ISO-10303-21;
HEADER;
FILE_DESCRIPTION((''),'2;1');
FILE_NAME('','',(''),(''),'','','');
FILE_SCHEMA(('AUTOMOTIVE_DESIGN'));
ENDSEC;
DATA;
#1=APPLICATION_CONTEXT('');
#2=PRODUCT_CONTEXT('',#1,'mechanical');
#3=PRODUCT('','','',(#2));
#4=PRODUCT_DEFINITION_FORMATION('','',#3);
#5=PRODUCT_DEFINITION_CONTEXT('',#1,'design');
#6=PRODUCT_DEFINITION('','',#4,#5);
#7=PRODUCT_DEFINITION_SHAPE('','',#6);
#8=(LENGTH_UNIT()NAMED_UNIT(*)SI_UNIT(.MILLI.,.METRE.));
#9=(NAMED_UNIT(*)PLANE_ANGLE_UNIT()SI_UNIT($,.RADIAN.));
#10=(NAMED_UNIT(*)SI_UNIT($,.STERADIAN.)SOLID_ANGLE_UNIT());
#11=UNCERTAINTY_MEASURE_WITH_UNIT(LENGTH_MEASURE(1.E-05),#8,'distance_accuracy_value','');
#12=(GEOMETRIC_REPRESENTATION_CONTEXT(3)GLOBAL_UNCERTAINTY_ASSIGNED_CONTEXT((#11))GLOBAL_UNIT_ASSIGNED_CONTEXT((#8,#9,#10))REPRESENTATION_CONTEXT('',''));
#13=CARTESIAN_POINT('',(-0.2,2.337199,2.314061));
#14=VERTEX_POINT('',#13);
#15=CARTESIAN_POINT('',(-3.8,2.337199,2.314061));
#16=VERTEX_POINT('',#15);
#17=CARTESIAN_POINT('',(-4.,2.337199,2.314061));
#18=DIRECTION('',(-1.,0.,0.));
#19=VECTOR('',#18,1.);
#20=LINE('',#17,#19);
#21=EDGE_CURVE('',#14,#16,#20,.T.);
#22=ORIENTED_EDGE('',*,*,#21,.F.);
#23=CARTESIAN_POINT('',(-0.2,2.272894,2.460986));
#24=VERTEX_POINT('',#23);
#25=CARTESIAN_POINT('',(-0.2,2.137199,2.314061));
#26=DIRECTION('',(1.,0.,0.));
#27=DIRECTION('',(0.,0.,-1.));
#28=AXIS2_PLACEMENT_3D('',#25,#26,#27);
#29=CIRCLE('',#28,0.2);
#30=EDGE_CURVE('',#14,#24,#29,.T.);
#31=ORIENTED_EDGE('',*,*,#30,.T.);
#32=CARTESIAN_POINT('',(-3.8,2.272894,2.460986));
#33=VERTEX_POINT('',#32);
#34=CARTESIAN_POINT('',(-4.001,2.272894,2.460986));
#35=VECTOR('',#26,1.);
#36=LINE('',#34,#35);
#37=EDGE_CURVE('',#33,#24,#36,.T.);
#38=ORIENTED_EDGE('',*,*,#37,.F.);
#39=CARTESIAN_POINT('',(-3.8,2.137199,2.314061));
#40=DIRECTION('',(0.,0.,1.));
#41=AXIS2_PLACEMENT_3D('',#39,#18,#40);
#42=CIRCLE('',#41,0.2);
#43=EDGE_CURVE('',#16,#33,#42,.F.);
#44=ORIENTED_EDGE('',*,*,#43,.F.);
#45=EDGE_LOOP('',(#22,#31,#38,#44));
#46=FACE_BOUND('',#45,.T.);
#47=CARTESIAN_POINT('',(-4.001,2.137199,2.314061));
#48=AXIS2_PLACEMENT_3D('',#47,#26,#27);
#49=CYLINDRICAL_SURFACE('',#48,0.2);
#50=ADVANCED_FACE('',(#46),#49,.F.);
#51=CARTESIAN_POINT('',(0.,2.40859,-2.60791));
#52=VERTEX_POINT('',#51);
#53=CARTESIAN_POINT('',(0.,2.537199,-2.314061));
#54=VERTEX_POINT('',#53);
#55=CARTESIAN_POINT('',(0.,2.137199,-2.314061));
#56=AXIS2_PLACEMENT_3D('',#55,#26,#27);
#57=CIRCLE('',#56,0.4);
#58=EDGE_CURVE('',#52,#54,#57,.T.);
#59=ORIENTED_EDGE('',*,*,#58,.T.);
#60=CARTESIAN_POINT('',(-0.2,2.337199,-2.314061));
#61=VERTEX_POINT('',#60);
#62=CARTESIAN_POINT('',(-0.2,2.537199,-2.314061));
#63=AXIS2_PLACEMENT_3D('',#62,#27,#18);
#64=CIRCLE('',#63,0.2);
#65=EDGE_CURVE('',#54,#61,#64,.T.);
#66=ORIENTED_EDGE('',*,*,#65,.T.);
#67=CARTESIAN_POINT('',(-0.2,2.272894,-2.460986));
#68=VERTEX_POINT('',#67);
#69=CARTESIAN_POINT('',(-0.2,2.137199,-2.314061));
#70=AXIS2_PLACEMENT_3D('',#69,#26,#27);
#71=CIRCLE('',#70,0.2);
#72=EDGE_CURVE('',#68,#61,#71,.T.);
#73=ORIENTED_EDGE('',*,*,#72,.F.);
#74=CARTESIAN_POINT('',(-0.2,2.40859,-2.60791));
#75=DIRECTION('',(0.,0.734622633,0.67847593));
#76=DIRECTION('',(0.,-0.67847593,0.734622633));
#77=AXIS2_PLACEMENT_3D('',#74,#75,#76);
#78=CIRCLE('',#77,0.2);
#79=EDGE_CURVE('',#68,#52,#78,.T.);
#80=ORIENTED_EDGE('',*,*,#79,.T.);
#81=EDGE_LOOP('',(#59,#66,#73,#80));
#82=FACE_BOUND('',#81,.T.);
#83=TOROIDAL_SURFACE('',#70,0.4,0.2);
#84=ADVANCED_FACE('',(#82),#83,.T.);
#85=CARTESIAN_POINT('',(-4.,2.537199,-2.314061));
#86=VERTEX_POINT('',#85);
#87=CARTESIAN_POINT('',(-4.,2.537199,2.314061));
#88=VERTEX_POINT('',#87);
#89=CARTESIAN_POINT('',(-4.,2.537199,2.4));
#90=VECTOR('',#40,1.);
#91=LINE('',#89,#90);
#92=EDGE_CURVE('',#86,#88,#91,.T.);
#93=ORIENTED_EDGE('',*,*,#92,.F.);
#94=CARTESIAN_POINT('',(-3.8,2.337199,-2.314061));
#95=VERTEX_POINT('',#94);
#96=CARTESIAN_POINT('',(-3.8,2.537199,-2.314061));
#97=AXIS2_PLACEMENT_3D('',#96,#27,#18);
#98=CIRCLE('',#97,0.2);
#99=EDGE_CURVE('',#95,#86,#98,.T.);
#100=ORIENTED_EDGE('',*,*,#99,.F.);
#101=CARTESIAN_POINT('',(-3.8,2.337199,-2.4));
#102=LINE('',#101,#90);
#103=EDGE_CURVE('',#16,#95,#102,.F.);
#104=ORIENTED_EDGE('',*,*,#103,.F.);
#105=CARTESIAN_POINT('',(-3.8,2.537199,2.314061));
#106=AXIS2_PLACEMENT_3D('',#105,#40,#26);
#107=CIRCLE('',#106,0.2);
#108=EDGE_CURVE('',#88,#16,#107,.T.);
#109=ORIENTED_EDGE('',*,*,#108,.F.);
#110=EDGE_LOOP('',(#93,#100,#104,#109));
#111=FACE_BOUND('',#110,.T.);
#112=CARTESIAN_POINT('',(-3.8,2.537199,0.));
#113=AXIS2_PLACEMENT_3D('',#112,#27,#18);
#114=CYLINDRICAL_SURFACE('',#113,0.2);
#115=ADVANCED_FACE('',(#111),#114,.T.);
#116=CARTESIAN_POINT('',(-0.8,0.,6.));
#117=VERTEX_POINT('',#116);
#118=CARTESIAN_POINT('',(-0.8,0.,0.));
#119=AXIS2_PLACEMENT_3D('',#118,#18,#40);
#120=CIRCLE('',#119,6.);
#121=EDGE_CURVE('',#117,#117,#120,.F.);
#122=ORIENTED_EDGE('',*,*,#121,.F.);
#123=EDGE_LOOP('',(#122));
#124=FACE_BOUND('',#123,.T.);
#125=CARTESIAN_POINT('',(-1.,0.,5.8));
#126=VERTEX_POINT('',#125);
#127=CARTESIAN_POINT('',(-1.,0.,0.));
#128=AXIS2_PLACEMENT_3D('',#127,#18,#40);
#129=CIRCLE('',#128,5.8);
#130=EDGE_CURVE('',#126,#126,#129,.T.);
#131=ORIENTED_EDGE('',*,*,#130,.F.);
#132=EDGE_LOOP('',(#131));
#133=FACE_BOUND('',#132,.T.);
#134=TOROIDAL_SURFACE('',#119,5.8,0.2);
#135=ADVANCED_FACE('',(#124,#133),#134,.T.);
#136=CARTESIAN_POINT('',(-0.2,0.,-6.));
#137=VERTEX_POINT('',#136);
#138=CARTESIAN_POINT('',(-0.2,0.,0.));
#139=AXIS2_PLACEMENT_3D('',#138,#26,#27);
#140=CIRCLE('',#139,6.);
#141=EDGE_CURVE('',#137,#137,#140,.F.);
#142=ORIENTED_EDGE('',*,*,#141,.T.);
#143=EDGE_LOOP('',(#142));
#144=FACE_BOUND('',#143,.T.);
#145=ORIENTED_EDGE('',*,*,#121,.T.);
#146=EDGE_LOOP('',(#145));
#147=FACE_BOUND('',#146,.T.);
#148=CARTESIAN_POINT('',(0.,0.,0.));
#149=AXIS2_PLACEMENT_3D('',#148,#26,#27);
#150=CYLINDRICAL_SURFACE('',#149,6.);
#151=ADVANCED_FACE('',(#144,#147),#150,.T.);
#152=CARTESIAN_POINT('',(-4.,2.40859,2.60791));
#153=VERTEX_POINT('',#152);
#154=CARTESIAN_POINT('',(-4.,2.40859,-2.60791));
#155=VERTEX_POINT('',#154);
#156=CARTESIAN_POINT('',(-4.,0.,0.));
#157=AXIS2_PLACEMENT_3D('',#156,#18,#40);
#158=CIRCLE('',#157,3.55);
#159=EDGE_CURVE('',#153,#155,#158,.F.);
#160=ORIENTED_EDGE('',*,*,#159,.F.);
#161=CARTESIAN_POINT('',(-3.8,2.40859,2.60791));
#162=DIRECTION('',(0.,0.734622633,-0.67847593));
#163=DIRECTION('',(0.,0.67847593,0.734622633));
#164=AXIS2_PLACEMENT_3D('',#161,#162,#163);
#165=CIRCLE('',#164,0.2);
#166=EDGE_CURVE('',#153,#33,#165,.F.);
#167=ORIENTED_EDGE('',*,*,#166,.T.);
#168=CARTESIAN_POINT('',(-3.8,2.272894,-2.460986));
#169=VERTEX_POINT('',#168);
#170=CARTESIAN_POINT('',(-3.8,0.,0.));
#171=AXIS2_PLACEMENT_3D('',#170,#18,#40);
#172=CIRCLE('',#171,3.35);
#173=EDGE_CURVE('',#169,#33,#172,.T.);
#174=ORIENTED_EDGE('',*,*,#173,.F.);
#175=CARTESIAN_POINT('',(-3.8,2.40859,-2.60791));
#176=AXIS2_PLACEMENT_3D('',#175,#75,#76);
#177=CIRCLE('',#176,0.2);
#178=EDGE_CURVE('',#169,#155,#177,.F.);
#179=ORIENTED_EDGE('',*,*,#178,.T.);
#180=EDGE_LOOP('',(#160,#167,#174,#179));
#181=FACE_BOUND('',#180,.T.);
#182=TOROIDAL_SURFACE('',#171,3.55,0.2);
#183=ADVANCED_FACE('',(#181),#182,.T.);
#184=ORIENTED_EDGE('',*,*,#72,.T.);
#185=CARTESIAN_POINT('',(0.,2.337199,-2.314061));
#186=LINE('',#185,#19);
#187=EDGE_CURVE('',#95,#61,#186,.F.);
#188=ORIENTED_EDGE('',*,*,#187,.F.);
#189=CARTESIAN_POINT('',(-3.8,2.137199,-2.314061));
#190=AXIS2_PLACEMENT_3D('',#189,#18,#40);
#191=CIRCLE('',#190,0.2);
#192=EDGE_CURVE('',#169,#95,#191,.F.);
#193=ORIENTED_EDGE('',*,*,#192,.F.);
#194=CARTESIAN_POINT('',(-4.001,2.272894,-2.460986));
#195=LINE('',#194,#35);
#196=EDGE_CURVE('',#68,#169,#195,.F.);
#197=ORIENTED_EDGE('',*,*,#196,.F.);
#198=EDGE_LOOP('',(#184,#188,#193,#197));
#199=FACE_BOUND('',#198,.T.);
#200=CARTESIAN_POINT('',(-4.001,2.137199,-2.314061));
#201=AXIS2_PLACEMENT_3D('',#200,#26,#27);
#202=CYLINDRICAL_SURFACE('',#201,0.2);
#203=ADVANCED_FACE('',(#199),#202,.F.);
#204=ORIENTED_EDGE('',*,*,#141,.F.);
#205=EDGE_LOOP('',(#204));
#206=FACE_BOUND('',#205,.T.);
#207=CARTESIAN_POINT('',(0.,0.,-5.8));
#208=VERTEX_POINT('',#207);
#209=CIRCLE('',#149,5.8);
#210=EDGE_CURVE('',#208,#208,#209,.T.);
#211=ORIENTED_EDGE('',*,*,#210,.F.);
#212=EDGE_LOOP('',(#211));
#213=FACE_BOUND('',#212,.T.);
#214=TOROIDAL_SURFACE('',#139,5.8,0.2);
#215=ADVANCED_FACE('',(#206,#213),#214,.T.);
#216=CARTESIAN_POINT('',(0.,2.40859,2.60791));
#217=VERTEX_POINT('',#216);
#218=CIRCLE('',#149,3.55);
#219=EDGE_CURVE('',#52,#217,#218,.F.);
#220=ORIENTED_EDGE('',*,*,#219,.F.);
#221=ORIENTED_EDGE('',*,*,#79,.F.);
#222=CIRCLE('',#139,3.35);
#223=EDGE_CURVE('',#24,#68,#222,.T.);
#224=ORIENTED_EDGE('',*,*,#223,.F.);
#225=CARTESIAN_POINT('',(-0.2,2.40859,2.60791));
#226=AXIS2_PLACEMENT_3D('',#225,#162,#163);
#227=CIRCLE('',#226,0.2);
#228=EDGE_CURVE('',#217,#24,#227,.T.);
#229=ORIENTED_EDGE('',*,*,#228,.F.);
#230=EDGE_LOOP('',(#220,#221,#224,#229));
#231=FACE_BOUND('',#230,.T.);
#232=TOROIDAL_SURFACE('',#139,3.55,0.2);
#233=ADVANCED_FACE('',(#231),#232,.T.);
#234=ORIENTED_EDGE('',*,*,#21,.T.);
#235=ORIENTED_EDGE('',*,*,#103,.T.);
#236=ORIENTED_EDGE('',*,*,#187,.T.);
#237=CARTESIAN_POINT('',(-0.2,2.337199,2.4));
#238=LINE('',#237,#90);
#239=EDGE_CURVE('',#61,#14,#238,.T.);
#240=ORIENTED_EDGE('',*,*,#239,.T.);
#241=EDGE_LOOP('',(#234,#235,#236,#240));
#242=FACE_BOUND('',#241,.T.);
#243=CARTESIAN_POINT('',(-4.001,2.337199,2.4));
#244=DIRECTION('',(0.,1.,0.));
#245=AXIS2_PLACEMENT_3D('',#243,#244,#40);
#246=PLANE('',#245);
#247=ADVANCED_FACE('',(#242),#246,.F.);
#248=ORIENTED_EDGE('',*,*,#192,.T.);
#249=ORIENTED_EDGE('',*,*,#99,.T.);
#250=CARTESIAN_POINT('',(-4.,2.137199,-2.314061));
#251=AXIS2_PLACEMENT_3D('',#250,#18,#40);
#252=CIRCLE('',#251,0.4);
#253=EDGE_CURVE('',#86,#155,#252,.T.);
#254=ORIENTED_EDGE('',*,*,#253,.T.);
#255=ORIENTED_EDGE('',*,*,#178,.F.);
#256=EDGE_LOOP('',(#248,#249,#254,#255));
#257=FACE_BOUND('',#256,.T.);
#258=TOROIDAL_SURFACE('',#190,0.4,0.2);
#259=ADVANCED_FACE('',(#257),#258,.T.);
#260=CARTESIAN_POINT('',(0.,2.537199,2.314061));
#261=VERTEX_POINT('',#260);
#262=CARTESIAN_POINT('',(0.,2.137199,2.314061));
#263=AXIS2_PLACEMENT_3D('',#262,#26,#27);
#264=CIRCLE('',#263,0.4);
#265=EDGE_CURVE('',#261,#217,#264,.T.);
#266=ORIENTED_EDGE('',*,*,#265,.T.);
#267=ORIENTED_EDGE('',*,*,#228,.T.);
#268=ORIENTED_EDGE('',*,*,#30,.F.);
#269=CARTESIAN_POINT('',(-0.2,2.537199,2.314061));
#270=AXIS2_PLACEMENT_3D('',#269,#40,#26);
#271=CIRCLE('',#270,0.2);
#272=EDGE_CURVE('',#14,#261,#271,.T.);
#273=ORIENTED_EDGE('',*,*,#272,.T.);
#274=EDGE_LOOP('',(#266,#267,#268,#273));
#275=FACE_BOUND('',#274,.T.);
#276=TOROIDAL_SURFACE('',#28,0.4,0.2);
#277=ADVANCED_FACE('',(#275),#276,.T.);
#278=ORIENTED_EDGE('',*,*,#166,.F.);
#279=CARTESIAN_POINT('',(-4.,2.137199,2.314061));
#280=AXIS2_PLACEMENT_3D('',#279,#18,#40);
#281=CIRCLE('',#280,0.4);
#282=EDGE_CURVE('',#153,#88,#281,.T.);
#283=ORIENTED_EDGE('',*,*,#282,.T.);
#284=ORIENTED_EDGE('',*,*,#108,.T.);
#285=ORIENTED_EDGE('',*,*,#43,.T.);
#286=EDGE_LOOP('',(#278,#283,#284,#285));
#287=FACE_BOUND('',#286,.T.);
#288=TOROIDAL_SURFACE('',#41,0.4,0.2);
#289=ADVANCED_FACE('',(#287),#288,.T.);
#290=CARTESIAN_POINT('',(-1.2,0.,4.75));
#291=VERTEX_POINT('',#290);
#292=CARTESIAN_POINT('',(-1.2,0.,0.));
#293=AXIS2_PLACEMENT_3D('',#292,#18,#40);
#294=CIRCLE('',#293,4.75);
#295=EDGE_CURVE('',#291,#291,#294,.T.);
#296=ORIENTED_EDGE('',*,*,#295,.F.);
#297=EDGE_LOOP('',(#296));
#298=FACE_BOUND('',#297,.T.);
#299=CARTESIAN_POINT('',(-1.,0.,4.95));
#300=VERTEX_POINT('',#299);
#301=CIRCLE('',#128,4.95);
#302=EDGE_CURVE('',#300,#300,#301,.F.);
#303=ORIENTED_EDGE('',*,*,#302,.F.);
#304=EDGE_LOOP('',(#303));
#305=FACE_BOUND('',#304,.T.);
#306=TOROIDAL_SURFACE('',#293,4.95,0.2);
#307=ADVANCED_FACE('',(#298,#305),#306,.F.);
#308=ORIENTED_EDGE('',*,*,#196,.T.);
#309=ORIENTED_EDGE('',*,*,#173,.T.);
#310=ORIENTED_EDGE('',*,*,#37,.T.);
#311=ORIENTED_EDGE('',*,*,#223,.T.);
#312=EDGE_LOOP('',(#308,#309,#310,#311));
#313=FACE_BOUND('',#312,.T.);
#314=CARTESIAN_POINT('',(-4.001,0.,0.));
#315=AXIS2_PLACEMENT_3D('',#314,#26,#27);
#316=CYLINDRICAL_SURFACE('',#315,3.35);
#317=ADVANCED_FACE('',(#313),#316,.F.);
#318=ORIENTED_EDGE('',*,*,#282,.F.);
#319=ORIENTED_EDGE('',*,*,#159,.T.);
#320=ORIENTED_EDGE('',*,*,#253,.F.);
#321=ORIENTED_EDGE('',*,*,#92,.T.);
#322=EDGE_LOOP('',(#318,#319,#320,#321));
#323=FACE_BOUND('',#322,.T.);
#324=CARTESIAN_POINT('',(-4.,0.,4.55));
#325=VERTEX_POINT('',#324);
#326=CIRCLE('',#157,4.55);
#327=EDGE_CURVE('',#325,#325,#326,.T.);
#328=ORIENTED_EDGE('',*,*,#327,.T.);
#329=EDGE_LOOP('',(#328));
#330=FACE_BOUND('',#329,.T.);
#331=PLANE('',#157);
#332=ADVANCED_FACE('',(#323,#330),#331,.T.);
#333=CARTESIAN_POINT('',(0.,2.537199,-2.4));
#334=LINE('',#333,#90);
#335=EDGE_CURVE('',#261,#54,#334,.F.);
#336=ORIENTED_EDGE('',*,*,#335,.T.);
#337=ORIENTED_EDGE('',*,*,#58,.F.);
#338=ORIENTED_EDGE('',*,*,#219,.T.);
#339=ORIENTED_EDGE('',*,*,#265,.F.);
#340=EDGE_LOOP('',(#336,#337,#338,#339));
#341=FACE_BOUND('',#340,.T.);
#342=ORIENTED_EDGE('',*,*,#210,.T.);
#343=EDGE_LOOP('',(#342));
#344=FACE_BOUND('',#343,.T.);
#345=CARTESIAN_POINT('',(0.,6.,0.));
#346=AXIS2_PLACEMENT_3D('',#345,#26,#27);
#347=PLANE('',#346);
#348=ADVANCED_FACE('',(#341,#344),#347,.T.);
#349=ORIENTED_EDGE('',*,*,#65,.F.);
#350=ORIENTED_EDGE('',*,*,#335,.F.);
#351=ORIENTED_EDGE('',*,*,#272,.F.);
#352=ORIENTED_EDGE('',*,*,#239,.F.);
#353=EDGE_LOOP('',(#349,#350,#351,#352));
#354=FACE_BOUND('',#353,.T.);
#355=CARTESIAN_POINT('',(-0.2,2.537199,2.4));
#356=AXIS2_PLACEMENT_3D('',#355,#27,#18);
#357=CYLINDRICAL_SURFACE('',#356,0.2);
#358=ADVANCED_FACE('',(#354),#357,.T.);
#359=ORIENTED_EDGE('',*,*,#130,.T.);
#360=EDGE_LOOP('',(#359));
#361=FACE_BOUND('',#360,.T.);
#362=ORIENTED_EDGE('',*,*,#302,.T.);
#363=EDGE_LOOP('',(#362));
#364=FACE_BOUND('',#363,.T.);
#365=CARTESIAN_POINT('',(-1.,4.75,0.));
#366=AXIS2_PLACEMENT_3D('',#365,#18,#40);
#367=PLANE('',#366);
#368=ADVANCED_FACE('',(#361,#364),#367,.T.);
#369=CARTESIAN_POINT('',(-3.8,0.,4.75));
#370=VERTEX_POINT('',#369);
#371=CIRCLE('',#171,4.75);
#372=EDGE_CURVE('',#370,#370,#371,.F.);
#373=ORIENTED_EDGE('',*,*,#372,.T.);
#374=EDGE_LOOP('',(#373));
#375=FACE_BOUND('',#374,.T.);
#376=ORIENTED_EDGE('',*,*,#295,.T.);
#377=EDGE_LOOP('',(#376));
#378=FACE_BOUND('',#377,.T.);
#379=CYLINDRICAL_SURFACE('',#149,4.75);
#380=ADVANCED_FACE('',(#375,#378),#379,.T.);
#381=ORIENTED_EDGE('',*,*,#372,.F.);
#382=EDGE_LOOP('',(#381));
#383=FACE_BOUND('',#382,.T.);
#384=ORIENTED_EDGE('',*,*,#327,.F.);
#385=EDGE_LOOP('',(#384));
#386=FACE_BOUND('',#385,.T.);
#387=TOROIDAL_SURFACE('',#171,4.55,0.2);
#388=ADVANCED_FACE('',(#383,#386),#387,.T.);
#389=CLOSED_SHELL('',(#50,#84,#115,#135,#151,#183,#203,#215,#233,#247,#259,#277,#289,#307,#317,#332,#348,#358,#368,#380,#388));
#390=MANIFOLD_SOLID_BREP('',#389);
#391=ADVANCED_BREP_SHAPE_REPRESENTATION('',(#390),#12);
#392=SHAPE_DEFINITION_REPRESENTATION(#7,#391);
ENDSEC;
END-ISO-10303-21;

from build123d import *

# Parameters (mm, degrees)
CUT_EXTRUDE1_REACH = 11.381
FILLET1_R          = 0.2


with BuildPart() as part:
    # Sketch1 → Revolve1 (revolve)
    with BuildSketch(Plane.XY, mode=Mode.PRIVATE) as revolve1_sk:
        Polygon((-4, 0), (-4, 4.75), (-1, 4.75), (-1, 6), (0, 6), (0, 0), align=None)
    revolve(revolve1_sk.sketch.rotate(Axis((0, 0, 0), (-1, 0, 0)), 90), axis=Axis((0, 0, 0), (-1, 0, 0)))

    # Sketch2 → Cut-Extrude1 (cut, up to next)
    with BuildSketch(Plane(origin=(0, 0, 0), x_dir=(0, 0, -1), z_dir=(1, 0, 0)), mode=Mode.PRIVATE) as cut_extrude1_sk1:
        with BuildLine():
            Line((-2.4, 2.337199179), (2.4, 2.337199179))
            ThreePointArc((2.4, 2.337199179), (0, -3.35), (-2.4, 2.337199179))
        make_face()
    cut_extrude1_tool1 = extrude(cut_extrude1_sk1.sketch, amount=-CUT_EXTRUDE1_REACH, mode=Mode.PRIVATE) & part.part
    add(cut_extrude1_tool1.solids().sort_by_distance((0, -0.288877, 0))[0], mode=Mode.SUBTRACT)

    # Fillet1
    fillet1_edges = [part.edges().sort_by_distance(p)[0] for p in [
        (-4, -3.35, 0),
        (-2, 2.337199179, -2.4),
        (-4, 2.337199179, 0),
        (-2, 2.337199179, 2.4),
        (0, -3.35, 0),
        (0, 2.337199179, 0),
        (0, 0, 6),
        (-1, 0, 6),
        (-1, 0, 4.75),
        (-4, 0, 4.75),
    ]]
    fillet(fillet1_edges, radius=FILLET1_R)


solid = part.part
